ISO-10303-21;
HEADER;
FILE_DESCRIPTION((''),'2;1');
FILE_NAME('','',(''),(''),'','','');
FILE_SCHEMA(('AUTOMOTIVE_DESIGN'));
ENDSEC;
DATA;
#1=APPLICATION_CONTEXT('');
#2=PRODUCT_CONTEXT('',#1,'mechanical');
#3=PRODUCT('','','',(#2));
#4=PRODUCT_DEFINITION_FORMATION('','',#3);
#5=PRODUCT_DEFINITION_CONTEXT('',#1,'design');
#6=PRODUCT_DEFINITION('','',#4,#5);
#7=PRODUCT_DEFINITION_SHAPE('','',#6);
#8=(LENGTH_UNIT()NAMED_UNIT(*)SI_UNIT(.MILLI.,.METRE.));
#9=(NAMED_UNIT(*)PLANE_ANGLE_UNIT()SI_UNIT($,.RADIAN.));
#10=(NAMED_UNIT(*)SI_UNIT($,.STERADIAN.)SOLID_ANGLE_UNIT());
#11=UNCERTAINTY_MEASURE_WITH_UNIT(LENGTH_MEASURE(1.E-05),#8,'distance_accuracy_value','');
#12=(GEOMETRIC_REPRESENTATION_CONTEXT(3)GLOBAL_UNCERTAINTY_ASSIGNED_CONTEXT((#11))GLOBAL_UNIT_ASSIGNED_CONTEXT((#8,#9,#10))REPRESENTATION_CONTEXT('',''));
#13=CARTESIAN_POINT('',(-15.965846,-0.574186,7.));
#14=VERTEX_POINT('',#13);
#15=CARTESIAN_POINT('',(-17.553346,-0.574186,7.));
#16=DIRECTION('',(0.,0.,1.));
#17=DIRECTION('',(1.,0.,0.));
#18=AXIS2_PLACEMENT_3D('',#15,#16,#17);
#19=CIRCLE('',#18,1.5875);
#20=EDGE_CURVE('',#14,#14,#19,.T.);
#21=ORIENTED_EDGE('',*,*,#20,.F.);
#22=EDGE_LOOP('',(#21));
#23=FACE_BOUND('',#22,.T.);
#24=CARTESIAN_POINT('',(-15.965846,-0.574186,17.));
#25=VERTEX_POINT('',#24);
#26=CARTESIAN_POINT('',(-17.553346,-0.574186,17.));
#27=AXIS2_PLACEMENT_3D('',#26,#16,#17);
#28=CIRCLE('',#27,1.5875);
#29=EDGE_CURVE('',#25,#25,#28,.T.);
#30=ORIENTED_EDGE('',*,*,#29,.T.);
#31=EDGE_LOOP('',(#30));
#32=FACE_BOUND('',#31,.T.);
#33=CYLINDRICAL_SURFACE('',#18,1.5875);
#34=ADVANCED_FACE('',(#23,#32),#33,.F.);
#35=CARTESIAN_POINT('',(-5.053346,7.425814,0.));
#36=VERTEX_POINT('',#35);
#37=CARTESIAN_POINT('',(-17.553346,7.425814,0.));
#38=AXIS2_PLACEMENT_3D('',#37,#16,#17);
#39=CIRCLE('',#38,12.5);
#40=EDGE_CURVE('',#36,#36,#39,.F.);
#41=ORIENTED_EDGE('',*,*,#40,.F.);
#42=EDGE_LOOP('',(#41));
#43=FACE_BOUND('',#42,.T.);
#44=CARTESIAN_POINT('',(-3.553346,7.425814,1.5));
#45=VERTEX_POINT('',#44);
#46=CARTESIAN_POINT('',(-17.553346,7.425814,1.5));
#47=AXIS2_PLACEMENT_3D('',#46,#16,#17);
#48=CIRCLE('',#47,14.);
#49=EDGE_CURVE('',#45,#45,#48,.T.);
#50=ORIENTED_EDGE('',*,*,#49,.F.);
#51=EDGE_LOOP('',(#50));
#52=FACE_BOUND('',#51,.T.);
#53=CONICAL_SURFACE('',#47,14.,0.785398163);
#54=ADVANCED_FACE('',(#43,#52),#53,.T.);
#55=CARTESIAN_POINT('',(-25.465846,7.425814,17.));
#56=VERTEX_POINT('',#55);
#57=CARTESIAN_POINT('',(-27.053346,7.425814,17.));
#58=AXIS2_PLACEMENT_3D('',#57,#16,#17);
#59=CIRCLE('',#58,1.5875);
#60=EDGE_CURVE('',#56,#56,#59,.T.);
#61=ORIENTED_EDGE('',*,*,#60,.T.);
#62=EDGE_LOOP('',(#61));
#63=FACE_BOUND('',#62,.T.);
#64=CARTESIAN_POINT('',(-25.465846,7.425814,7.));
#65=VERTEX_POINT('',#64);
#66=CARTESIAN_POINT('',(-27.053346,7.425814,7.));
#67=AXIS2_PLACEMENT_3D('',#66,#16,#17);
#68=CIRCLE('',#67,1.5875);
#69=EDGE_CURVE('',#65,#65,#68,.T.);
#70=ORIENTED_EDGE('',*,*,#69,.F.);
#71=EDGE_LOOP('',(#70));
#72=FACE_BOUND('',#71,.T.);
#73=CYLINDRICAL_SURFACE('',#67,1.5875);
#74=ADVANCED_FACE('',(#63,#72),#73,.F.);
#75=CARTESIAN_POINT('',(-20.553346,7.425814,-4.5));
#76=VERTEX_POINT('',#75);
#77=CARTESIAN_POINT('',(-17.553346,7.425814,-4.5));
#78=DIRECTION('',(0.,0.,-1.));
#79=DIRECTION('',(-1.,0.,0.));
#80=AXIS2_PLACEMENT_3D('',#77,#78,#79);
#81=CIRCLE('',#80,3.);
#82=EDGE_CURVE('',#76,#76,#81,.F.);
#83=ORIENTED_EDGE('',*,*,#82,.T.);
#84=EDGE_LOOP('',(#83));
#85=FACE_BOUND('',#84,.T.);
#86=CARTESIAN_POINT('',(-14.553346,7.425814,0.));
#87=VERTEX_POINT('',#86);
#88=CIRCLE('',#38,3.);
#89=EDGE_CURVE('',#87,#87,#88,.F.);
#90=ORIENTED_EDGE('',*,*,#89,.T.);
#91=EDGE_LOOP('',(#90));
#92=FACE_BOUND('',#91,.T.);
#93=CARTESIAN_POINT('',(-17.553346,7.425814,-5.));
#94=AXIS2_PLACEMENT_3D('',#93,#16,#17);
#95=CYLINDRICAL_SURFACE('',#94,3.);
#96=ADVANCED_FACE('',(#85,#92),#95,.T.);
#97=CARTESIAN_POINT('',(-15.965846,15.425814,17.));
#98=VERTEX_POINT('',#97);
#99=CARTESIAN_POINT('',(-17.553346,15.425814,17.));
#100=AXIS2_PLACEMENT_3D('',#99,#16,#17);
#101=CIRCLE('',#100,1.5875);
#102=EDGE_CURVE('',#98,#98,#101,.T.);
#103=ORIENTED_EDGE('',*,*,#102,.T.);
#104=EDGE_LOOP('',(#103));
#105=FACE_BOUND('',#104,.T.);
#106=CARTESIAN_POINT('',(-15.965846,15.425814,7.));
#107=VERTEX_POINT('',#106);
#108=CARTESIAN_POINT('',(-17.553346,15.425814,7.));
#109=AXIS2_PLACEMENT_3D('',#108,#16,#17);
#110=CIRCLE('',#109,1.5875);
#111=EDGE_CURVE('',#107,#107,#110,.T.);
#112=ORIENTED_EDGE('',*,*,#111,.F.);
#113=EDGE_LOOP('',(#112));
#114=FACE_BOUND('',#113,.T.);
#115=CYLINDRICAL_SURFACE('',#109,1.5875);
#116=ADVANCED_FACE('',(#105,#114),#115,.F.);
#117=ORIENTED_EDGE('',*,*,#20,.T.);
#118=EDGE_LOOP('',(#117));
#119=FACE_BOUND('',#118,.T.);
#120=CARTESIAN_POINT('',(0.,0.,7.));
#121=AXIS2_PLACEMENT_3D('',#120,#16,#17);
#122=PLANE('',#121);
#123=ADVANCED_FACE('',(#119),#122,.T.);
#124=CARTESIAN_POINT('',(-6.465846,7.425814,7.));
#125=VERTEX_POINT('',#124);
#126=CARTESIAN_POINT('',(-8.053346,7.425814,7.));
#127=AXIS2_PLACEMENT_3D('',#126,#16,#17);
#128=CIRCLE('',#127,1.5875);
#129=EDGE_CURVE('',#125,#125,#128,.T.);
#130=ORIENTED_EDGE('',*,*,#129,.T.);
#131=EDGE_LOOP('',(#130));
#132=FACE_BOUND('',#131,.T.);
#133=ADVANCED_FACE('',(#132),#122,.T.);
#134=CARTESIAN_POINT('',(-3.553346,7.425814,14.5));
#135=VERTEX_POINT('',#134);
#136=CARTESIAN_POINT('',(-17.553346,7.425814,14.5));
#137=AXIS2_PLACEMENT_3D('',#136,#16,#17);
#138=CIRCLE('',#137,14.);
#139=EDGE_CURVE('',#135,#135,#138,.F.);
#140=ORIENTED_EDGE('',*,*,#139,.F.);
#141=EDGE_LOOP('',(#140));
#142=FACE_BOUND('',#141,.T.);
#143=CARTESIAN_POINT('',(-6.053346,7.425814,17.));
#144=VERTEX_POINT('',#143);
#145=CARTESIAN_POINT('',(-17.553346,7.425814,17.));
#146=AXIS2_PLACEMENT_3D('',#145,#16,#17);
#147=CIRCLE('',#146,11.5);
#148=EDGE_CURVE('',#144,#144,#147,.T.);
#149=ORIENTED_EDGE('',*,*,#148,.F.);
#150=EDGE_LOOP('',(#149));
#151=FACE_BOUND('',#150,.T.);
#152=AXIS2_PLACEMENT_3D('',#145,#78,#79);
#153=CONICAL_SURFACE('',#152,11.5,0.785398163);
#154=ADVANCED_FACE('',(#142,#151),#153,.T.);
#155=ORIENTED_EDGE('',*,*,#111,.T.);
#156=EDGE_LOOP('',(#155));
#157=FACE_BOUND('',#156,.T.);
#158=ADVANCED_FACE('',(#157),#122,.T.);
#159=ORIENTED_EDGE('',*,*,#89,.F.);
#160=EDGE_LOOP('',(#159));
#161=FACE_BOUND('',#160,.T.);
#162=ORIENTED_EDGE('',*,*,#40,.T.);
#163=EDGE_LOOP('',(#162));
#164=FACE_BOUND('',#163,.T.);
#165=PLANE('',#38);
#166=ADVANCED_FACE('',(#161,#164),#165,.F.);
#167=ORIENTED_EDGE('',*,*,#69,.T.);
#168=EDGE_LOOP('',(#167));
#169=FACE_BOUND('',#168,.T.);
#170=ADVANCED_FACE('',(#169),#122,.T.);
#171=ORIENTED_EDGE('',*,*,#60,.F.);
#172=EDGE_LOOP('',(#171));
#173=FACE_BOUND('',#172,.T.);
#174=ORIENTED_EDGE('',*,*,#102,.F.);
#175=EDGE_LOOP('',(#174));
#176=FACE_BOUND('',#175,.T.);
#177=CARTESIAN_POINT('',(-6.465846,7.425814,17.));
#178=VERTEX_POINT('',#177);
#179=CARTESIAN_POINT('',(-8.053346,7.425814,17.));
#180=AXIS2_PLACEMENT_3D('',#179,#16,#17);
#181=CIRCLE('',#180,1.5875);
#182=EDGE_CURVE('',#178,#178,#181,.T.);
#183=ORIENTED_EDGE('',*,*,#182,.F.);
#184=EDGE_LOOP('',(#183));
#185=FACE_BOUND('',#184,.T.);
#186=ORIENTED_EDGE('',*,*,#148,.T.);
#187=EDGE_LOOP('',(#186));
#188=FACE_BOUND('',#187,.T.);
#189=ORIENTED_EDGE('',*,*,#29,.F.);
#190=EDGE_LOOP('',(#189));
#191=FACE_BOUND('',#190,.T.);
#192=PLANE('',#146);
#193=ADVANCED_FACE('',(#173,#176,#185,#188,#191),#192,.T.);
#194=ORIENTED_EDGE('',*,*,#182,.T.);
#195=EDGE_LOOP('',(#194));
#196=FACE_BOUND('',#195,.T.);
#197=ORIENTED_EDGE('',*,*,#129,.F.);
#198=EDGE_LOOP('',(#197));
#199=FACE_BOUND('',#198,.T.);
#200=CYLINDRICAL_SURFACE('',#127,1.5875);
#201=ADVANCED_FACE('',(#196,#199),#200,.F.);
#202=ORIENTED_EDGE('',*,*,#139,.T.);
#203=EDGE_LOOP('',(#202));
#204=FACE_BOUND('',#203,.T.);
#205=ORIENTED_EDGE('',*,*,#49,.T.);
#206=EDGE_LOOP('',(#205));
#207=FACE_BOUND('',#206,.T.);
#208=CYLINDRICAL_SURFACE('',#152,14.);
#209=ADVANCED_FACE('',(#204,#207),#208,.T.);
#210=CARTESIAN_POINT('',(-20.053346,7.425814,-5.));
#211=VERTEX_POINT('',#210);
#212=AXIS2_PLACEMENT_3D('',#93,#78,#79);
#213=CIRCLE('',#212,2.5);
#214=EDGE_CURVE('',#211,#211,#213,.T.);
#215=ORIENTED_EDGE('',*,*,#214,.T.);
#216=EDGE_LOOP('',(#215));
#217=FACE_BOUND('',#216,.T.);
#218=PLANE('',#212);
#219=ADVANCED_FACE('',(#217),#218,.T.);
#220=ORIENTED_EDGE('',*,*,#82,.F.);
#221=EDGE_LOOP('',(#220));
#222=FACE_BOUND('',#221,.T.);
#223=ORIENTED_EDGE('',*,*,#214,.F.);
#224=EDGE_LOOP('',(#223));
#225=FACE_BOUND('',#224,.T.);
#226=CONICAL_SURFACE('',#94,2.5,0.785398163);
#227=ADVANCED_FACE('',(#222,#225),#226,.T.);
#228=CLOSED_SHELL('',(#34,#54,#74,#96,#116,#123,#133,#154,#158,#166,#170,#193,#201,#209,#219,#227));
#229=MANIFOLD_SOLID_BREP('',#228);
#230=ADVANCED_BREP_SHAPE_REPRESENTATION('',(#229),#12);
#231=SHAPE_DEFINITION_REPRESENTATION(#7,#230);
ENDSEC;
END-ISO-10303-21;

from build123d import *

# Parameters (mm, degrees)
SKETCH1_R           = 14
BOSS_EXTRUDE1_DEPTH = 17
SKETCH2_R           = 3
BOSS_EXTRUDE2_DEPTH = 5
SKETCH3_R           = 1.5875
CUT_EXTRUDE2_DEPTH  = 10
CHAMFER1_SIZE       = 1.5
CHAMFER2_SIZE       = 0.5
CHAMFER3_SIZE       = 2.5


with BuildPart() as part:
    # Sketch1 → Boss-Extrude1 (new body)
    with BuildSketch(Plane.XY):
        with Locations((-17.5533458, 7.425814207)):
            Circle(SKETCH1_R)
    extrude(amount=BOSS_EXTRUDE1_DEPTH)

    # Sketch2 → Boss-Extrude2 (add)
    with BuildSketch(Plane(origin=(0, -0.075436545, 0), x_dir=(-1, 0, 0), z_dir=(0, 0, -1))):
        with Locations((17.5533458, 7.501250752)):
            Circle(SKETCH2_R)
    extrude(amount=BOSS_EXTRUDE2_DEPTH)

    # Sketch3 → Cut-Extrude2 (cut)
    with BuildSketch(Plane.XY.offset(17)):
        with Locations((-17.5533458, 15.425814207)):
            Circle(SKETCH3_R)
        with Locations((-17.5533458, -0.574185793)):
            Circle(SKETCH3_R)
        with Locations((-27.0533458, 7.425814207)):
            Circle(SKETCH3_R)
        with Locations((-8.0533458, 7.425814207)):
            Circle(SKETCH3_R)
    extrude(amount=-CUT_EXTRUDE2_DEPTH, mode=Mode.SUBTRACT)

    # Chamfer1
    chamfer1_edges = [part.edges().sort_by_distance(p)[0] for p in [
        (-31.5533458, 7.425814207, 0),
    ]]
    chamfer(chamfer1_edges, length=CHAMFER1_SIZE)

    # Chamfer2
    chamfer2_edges = [part.edges().sort_by_distance(p)[0] for p in [
        (-14.5533458, 7.425814207, -5),
    ]]
    chamfer(chamfer2_edges, length=CHAMFER2_SIZE)

    # Chamfer3
    chamfer3_edges = [part.edges().sort_by_distance(p)[0] for p in [
        (-31.5533458, 7.425814207, 17),
    ]]
    chamfer(chamfer3_edges, length=CHAMFER3_SIZE)


solid = part.part
